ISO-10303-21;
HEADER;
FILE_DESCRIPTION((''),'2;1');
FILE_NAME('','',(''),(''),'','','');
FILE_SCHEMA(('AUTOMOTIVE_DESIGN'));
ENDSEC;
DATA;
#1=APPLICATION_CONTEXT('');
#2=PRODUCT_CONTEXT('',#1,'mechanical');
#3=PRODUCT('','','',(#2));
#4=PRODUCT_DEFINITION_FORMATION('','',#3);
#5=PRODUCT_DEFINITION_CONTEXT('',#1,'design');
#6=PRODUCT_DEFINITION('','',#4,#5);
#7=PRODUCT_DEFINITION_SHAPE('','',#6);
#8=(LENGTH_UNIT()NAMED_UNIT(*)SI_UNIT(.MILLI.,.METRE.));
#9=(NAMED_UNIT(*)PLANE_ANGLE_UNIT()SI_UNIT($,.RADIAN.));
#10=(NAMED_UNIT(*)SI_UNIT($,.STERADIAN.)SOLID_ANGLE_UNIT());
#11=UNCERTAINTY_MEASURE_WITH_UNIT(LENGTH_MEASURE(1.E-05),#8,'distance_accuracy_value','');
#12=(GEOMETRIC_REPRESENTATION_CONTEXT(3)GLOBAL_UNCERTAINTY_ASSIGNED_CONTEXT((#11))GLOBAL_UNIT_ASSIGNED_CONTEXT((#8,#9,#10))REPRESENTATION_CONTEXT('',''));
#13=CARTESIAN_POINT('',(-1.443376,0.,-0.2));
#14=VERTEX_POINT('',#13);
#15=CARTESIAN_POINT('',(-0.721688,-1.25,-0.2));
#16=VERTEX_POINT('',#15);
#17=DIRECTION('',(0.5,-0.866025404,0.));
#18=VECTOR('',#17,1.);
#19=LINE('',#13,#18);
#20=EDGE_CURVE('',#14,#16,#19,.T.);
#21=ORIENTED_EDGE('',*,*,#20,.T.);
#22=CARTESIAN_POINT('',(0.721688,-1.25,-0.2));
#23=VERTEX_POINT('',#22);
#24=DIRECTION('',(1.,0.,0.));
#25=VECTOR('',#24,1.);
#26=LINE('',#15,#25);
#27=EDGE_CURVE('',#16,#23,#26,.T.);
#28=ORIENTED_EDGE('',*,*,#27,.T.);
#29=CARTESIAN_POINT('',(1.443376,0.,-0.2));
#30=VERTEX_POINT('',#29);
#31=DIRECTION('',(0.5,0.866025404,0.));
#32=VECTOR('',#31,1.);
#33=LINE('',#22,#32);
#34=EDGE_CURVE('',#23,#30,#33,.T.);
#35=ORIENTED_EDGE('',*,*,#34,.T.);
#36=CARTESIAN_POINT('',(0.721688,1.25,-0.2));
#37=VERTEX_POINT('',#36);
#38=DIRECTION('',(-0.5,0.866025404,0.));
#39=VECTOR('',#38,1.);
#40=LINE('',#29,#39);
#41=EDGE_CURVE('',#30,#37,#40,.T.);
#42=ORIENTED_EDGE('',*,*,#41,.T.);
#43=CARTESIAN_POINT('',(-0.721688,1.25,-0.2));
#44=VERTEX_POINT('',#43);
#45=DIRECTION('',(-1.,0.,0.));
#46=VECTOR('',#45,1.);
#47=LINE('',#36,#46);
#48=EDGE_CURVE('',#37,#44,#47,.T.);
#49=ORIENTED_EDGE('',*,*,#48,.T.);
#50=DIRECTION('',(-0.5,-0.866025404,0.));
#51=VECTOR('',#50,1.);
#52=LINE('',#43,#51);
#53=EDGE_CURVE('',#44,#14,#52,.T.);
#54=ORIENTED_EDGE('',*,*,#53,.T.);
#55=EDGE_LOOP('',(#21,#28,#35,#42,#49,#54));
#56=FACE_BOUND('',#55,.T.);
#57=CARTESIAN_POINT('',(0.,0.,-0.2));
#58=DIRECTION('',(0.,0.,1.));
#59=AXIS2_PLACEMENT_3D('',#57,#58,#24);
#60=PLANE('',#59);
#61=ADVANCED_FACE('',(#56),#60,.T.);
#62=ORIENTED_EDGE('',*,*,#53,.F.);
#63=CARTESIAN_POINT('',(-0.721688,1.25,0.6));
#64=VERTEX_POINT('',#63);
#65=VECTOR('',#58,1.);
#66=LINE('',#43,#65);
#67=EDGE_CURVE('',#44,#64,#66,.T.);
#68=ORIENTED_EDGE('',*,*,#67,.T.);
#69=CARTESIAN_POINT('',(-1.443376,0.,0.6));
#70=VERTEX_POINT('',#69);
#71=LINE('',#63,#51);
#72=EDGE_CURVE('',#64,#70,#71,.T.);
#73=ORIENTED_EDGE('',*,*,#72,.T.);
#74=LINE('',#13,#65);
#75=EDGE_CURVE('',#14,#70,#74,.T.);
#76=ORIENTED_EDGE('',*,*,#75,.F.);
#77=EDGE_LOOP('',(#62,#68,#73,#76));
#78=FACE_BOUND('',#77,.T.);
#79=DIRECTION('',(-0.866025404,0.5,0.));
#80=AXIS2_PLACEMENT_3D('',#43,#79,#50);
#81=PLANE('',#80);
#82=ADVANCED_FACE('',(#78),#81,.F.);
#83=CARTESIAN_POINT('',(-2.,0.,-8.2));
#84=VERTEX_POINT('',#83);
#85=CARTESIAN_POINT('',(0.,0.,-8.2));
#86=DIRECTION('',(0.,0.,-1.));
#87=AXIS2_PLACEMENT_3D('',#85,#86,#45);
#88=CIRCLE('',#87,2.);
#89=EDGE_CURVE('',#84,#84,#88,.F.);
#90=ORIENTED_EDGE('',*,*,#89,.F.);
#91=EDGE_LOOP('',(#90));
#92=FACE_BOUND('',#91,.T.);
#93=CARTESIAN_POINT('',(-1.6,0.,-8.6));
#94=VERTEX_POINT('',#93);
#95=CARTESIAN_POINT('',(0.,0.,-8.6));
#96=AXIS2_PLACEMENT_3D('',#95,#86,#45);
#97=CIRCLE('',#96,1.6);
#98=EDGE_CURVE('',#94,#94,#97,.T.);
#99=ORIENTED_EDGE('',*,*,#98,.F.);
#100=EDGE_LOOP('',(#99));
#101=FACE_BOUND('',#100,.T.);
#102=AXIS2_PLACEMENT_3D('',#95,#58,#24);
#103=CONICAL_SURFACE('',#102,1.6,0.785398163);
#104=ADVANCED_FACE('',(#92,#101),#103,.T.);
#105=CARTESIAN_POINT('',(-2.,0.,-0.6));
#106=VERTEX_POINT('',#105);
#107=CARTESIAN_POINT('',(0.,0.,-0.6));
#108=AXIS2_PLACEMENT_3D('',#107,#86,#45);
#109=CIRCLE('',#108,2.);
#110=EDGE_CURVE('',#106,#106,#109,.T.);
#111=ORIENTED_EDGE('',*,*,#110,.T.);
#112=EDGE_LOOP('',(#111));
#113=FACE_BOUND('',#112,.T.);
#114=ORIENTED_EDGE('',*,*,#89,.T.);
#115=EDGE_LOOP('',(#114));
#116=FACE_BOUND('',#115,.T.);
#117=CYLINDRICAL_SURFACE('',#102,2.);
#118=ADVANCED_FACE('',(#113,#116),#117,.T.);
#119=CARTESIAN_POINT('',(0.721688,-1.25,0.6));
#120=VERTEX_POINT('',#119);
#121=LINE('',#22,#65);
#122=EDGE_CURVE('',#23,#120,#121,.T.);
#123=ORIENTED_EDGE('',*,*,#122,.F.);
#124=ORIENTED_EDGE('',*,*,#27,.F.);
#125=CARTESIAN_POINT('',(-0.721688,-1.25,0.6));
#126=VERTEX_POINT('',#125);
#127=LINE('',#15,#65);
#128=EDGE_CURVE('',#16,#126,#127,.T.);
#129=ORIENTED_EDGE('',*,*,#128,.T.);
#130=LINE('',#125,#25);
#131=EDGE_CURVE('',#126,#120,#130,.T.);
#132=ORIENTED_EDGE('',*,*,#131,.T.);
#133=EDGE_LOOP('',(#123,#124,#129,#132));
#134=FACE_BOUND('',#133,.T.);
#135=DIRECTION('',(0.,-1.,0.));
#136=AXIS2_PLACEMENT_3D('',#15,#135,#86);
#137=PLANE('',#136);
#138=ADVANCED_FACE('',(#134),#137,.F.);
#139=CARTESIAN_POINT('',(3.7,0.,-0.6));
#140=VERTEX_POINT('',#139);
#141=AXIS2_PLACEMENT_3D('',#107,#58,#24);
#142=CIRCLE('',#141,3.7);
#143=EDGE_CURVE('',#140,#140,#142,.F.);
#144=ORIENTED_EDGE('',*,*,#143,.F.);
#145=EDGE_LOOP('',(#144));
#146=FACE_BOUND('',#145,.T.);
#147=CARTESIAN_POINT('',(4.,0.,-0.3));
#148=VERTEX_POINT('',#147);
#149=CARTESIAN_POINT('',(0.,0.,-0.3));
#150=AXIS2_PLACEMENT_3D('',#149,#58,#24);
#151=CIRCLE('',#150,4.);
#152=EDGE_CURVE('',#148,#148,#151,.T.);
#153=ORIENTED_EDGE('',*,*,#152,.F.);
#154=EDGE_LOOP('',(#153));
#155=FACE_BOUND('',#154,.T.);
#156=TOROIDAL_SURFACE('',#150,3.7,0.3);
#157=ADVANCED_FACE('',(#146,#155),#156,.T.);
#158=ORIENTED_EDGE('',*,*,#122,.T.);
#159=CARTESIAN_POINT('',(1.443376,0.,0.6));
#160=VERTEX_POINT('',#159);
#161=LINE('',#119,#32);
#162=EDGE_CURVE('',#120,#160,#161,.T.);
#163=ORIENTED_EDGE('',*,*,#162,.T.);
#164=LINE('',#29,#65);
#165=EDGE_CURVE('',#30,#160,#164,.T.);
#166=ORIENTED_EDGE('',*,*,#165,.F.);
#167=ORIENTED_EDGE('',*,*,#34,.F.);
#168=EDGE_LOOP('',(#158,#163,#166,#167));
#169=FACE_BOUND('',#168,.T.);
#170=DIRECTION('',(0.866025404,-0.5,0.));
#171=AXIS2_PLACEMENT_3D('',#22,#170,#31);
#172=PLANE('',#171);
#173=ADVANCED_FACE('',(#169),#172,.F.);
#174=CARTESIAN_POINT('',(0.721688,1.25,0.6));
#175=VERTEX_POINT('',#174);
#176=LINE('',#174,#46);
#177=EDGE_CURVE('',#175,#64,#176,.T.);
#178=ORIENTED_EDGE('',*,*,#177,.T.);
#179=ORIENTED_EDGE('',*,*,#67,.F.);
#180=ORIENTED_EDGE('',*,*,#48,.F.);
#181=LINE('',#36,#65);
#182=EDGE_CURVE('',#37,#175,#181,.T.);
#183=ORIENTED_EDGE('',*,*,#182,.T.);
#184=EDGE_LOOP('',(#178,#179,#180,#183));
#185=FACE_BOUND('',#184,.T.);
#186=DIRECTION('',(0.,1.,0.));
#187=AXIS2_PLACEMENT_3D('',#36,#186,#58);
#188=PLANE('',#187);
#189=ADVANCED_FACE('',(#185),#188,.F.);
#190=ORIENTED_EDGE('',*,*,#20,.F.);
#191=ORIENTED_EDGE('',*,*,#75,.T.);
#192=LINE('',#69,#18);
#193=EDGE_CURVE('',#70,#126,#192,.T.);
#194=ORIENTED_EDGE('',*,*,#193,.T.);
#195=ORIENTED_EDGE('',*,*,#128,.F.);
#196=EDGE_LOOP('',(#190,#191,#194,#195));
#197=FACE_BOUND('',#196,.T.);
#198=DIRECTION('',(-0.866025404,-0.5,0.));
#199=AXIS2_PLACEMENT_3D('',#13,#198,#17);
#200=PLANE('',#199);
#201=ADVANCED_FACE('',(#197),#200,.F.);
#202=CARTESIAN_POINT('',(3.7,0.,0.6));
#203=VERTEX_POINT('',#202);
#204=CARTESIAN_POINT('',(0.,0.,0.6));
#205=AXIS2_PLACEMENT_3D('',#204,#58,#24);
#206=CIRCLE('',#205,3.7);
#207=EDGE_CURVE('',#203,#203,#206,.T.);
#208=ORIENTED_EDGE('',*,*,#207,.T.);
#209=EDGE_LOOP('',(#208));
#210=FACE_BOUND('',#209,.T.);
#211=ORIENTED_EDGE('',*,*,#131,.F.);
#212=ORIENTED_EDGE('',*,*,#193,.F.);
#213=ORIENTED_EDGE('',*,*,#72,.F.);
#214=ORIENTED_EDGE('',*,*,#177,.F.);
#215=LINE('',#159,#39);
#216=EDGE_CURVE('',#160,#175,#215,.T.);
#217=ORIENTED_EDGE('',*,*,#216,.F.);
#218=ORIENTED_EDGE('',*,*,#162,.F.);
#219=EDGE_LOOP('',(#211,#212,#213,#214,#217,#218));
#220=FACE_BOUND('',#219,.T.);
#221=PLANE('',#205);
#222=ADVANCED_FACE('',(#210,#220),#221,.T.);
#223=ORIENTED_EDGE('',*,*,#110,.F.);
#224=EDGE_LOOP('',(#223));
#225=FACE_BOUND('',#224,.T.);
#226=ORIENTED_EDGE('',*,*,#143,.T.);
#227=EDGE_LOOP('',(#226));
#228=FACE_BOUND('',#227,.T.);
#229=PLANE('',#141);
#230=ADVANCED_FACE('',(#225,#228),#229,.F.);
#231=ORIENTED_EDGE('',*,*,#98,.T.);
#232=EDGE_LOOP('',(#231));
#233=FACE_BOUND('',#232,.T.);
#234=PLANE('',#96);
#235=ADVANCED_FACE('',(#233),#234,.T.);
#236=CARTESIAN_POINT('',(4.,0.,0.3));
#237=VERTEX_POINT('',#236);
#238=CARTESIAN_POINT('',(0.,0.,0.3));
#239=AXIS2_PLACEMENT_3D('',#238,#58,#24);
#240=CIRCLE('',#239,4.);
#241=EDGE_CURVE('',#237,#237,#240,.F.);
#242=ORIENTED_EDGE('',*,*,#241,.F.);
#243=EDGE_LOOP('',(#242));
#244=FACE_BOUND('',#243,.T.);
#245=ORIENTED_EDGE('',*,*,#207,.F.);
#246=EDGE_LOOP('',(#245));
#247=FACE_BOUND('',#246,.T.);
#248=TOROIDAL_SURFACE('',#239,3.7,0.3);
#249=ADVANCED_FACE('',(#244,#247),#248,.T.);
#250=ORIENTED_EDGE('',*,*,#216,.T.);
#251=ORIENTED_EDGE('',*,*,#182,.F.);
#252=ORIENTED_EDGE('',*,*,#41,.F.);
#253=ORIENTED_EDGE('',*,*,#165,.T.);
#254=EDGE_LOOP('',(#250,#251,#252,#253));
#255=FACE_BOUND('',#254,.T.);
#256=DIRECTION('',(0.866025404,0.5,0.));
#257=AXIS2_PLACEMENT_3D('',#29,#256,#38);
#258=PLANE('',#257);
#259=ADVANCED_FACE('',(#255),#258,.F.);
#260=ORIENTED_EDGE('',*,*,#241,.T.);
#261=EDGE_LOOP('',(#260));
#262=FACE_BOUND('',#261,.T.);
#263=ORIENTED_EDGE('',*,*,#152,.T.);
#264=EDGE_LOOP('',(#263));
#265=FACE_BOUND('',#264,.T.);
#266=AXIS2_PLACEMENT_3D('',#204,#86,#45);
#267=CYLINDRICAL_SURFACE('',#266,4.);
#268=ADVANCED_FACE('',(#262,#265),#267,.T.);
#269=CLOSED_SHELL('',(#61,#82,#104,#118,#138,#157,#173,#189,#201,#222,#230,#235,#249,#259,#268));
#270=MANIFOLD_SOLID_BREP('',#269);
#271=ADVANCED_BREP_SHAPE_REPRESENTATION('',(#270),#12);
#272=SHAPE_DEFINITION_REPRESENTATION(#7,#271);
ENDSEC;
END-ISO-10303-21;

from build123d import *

# Parameters (mm, degrees)
SKETCH_1_R          = 4
EXTRUDE_1_DEPTH     = 0.6
SKETCH_2_R          = 2
EXTRUDE_2_DEPTH     = 8
CHAMFER_1_SIZE      = 0.4
CUT_EXTRUDE_1_DEPTH = 0.8
FILLET_2_R          = 0.3


with BuildPart() as part:
    # 草图1 → 凸台-拉伸1 (new, symmetric)
    with BuildSketch(Plane.XY):
        Circle(SKETCH_1_R)
    extrude(amount=EXTRUDE_1_DEPTH, both=True)

    # 草图2 → 凸台-拉伸2 (add)
    with BuildSketch(Plane(origin=(0, 0, -0.6), x_dir=(-1, 0, 0), z_dir=(0, 0, -1))):
        Circle(SKETCH_2_R)
    extrude(amount=EXTRUDE_2_DEPTH)

    # 倒角1
    chamfer_1_edges = [part.edges().sort_by_distance(p)[0] for p in [
        (2, 0, -8.6),
    ]]
    chamfer(chamfer_1_edges, length=CHAMFER_1_SIZE)

    # 草图3 → 切除-拉伸1 (cut)
    with BuildSketch(Plane.XY.offset(0.6)):
        Polygon((1.443375673, 0), (0.721687836, 1.25), (-0.721687836, 1.25), (-1.443375673, 0), (-0.721687836, -1.25), (0.721687836, -1.25), align=None)
    extrude(amount=-CUT_EXTRUDE_1_DEPTH, mode=Mode.SUBTRACT)

    # 圆角2
    fillet_2_edges = [part.edges().sort_by_distance(p)[0] for p in [
        (-4, 0, -0.6),
        (-4, 0, 0.6),
    ]]
    fillet(fillet_2_edges, radius=FILLET_2_R)


solid = part.part
